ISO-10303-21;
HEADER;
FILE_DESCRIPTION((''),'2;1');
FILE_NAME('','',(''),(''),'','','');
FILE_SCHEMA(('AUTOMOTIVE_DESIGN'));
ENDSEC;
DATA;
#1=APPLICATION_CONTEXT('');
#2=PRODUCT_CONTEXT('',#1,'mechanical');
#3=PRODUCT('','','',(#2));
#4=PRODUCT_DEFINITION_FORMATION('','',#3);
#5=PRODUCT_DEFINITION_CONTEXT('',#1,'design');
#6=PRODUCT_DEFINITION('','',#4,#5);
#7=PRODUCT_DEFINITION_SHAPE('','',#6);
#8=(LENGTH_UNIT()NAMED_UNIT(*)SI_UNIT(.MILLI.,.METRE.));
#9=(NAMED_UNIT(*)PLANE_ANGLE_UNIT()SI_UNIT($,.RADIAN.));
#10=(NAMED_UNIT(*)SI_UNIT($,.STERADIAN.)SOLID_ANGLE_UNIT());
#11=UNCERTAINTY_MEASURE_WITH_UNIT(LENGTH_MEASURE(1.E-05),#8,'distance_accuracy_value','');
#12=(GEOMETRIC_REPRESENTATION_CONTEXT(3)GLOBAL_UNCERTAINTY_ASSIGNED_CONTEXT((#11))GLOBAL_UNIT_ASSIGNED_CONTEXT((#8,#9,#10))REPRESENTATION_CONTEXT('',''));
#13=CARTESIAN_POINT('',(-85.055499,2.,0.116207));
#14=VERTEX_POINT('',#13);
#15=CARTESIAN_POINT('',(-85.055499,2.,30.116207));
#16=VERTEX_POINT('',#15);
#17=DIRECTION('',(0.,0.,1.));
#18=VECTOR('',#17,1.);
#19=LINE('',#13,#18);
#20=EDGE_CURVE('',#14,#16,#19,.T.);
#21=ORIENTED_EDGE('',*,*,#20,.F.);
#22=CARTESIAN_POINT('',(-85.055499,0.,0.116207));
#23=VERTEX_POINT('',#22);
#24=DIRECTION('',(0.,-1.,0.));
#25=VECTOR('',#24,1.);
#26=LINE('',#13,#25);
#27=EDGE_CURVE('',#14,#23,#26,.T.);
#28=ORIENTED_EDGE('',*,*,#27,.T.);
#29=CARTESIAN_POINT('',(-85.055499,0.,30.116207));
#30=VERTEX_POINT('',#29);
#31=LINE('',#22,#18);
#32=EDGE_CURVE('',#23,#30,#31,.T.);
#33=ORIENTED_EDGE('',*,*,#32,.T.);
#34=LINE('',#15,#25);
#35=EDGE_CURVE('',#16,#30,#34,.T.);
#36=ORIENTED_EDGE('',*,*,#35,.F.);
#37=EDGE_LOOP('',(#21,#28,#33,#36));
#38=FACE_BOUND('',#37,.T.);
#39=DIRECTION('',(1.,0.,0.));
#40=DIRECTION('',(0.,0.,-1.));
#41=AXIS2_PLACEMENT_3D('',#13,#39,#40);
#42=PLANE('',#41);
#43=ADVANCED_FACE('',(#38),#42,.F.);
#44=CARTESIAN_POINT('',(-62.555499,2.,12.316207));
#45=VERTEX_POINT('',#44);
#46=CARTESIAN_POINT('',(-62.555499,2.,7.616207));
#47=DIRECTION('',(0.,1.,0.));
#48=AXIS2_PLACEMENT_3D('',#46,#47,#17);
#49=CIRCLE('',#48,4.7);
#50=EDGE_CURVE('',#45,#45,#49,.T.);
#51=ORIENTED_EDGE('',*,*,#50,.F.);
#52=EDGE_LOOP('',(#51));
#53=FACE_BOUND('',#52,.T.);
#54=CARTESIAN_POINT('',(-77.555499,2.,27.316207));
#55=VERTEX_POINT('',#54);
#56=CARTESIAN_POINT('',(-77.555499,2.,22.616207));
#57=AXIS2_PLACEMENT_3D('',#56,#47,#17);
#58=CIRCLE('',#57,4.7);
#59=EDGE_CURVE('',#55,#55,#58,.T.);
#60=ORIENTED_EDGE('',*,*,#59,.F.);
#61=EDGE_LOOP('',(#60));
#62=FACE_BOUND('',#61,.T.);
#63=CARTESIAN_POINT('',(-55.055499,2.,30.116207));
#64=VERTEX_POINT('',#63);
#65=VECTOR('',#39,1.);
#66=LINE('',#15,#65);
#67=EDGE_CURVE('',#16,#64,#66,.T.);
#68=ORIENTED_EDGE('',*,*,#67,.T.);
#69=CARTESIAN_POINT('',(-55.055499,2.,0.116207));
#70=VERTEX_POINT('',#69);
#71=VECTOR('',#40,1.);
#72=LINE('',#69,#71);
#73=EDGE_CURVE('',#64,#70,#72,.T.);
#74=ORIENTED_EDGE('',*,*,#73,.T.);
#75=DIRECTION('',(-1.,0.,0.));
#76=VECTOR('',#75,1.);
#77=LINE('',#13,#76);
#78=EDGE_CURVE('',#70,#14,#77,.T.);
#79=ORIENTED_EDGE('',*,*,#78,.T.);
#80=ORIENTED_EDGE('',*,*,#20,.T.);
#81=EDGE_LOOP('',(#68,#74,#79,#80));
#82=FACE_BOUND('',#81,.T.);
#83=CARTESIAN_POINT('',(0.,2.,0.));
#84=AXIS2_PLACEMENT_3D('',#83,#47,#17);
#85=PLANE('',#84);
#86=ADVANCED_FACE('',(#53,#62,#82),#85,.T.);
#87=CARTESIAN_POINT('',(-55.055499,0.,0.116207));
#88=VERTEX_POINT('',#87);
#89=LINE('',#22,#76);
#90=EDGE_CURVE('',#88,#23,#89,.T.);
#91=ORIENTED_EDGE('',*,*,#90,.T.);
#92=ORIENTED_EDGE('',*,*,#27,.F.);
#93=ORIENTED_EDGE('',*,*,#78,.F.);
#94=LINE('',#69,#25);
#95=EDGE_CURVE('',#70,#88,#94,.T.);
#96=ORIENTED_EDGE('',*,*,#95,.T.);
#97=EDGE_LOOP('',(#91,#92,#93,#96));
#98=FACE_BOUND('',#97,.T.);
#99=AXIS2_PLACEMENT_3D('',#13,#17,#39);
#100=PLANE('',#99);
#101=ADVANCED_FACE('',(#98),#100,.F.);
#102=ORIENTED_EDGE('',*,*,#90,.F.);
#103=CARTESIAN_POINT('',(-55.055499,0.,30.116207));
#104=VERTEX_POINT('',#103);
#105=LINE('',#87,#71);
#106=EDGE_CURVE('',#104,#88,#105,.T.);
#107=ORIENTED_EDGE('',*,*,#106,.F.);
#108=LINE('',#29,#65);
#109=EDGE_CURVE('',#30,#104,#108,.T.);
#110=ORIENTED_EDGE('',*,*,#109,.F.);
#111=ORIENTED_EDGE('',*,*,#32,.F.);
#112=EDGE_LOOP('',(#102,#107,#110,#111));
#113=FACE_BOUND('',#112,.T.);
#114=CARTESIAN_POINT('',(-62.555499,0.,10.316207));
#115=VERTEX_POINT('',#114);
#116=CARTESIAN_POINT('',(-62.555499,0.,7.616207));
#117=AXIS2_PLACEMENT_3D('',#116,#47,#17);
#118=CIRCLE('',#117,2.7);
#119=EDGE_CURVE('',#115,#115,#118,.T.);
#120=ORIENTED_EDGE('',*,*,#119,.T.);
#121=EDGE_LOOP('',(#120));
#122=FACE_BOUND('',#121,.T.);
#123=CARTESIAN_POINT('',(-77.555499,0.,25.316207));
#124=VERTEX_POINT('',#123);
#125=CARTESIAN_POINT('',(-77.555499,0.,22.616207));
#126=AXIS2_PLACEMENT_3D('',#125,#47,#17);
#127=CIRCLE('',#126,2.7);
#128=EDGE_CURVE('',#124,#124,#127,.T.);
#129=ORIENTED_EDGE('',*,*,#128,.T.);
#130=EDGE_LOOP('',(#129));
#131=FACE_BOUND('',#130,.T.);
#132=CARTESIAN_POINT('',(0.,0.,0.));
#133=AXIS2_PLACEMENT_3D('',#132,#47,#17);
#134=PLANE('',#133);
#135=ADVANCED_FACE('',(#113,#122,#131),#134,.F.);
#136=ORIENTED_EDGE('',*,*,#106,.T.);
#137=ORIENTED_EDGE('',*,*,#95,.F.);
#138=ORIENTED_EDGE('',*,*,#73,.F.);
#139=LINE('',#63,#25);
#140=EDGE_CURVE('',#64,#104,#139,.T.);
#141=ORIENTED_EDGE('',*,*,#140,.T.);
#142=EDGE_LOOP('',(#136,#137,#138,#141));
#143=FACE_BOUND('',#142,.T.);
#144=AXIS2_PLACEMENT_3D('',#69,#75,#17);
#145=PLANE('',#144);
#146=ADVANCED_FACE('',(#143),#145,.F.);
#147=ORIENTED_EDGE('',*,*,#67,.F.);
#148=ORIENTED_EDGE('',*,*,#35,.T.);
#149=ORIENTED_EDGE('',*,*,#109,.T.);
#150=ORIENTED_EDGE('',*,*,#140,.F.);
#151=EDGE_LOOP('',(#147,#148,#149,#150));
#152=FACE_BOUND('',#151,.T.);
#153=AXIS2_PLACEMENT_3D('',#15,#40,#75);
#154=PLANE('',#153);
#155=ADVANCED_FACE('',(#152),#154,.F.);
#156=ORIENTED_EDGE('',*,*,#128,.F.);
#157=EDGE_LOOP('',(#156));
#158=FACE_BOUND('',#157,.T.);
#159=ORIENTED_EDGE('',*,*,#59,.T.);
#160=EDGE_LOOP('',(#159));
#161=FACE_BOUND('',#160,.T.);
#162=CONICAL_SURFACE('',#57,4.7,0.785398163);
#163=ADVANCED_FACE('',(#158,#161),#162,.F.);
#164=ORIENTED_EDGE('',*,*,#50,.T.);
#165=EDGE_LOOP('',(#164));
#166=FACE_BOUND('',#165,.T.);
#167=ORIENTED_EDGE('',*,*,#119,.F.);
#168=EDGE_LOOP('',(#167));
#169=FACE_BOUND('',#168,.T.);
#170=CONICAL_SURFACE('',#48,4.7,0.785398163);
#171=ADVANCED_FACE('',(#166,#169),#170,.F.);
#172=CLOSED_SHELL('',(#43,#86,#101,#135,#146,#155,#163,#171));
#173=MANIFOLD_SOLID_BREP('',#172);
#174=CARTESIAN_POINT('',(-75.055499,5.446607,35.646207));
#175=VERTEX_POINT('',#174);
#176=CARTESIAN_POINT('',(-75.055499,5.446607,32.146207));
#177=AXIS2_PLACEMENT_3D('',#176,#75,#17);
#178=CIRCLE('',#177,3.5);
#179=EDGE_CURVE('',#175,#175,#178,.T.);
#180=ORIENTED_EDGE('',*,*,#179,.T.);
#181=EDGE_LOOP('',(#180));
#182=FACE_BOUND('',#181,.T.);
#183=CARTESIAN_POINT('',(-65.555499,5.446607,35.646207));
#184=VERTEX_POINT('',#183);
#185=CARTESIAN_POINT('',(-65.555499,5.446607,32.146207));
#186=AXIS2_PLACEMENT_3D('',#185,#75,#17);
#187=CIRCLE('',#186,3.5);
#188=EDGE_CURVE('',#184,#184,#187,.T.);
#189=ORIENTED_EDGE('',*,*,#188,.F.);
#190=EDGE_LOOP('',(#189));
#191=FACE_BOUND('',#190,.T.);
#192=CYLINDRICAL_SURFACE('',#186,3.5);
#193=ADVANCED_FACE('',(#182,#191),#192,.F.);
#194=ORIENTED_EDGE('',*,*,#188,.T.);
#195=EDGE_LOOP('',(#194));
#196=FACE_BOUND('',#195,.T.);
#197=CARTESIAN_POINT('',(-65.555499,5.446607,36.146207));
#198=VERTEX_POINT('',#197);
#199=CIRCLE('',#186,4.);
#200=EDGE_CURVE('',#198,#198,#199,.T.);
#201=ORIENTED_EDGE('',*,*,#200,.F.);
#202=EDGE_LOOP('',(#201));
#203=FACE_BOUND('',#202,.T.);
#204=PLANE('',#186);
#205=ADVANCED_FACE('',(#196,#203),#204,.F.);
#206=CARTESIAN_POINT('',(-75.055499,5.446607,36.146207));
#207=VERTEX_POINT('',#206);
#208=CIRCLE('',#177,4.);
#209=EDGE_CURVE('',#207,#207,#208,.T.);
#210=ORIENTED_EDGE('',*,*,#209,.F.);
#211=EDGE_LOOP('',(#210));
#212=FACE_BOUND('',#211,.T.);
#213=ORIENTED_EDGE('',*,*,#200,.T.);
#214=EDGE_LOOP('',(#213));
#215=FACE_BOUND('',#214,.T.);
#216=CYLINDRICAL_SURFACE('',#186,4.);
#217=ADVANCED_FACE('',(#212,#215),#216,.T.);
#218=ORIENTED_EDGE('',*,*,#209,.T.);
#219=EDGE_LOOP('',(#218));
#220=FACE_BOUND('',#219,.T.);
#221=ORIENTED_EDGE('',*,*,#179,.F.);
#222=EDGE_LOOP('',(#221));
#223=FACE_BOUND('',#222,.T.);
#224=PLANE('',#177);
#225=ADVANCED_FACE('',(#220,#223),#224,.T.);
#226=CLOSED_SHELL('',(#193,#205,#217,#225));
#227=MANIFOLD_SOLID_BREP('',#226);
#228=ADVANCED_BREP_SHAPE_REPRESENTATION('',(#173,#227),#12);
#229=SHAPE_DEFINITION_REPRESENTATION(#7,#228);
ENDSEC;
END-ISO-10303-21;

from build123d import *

# Parameters (mm, degrees)
SKETCH_1_W                 = 30
SKETCH_1_H                 = 30
EXTRUDE_1_DEPTH            = 2
SKETCH_2_R                 = 4
SKETCH_2_R_2               = 3.5
EXTRUDE_2_DEPTH            = 9.5
HOLE_WIZARD_M41_AT_2_COUNT = 2
HOLE_WIZARD_M41_AT_2_PITCH = 21.213203436


with BuildPart() as part:
    # Эскиз1 → Бобышка-Вытянуть1 (new body)
    with BuildSketch(Plane(origin=(0, 0, 0), x_dir=(1, 0, 0), z_dir=(0, 1, 0))):
        with Locations((-70.055498839, -15.11620678)):
            Rectangle(SKETCH_1_W, SKETCH_1_H)
    extrude(amount=EXTRUDE_1_DEPTH)

    # Эскиз4 → Зенковка для  винта с плоской головкой M41 (revolve, cut)
    with BuildSketch(Plane(origin=(-77.555498839, 2, 22.61620678), x_dir=(0, 0, 1), z_dir=(1, 0, 0))):
        Polygon((0, 0), (0, 22.351936393), (2.25, 21), (2.25, 2.45), (4.7, 0), align=None)
    hole_wizard_m41 = revolve(axis=Axis((-77.555498839, 8.35, 22.61620678), (0, -1, 0)), mode=Mode.SUBTRACT)

    # Зенковка для  винта с плоской головкой M41 at 2: Зенковка для  винта с плоской головкой M41 ×2
    with Locations(*[Vector(0.7071067811865479, 0, -0.7071067811865472) * (i * HOLE_WIZARD_M41_AT_2_PITCH) for i in range(1, HOLE_WIZARD_M41_AT_2_COUNT)]):
        add(hole_wizard_m41, mode=Mode.SUBTRACT)


with BuildPart() as body_2:
    # Эскиз2 → Бобышка-Вытянуть2 (new body)
    with BuildSketch(Plane.ZY.offset(75.055498839)):
        with Locations((32.14620678, 5.446607027)):
            Circle(SKETCH_2_R)
        with Locations((32.14620678, 5.446607027)):
            Circle(SKETCH_2_R_2, mode=Mode.SUBTRACT)
    extrude(amount=-EXTRUDE_2_DEPTH)


solid = Compound([part.part, body_2.part])
